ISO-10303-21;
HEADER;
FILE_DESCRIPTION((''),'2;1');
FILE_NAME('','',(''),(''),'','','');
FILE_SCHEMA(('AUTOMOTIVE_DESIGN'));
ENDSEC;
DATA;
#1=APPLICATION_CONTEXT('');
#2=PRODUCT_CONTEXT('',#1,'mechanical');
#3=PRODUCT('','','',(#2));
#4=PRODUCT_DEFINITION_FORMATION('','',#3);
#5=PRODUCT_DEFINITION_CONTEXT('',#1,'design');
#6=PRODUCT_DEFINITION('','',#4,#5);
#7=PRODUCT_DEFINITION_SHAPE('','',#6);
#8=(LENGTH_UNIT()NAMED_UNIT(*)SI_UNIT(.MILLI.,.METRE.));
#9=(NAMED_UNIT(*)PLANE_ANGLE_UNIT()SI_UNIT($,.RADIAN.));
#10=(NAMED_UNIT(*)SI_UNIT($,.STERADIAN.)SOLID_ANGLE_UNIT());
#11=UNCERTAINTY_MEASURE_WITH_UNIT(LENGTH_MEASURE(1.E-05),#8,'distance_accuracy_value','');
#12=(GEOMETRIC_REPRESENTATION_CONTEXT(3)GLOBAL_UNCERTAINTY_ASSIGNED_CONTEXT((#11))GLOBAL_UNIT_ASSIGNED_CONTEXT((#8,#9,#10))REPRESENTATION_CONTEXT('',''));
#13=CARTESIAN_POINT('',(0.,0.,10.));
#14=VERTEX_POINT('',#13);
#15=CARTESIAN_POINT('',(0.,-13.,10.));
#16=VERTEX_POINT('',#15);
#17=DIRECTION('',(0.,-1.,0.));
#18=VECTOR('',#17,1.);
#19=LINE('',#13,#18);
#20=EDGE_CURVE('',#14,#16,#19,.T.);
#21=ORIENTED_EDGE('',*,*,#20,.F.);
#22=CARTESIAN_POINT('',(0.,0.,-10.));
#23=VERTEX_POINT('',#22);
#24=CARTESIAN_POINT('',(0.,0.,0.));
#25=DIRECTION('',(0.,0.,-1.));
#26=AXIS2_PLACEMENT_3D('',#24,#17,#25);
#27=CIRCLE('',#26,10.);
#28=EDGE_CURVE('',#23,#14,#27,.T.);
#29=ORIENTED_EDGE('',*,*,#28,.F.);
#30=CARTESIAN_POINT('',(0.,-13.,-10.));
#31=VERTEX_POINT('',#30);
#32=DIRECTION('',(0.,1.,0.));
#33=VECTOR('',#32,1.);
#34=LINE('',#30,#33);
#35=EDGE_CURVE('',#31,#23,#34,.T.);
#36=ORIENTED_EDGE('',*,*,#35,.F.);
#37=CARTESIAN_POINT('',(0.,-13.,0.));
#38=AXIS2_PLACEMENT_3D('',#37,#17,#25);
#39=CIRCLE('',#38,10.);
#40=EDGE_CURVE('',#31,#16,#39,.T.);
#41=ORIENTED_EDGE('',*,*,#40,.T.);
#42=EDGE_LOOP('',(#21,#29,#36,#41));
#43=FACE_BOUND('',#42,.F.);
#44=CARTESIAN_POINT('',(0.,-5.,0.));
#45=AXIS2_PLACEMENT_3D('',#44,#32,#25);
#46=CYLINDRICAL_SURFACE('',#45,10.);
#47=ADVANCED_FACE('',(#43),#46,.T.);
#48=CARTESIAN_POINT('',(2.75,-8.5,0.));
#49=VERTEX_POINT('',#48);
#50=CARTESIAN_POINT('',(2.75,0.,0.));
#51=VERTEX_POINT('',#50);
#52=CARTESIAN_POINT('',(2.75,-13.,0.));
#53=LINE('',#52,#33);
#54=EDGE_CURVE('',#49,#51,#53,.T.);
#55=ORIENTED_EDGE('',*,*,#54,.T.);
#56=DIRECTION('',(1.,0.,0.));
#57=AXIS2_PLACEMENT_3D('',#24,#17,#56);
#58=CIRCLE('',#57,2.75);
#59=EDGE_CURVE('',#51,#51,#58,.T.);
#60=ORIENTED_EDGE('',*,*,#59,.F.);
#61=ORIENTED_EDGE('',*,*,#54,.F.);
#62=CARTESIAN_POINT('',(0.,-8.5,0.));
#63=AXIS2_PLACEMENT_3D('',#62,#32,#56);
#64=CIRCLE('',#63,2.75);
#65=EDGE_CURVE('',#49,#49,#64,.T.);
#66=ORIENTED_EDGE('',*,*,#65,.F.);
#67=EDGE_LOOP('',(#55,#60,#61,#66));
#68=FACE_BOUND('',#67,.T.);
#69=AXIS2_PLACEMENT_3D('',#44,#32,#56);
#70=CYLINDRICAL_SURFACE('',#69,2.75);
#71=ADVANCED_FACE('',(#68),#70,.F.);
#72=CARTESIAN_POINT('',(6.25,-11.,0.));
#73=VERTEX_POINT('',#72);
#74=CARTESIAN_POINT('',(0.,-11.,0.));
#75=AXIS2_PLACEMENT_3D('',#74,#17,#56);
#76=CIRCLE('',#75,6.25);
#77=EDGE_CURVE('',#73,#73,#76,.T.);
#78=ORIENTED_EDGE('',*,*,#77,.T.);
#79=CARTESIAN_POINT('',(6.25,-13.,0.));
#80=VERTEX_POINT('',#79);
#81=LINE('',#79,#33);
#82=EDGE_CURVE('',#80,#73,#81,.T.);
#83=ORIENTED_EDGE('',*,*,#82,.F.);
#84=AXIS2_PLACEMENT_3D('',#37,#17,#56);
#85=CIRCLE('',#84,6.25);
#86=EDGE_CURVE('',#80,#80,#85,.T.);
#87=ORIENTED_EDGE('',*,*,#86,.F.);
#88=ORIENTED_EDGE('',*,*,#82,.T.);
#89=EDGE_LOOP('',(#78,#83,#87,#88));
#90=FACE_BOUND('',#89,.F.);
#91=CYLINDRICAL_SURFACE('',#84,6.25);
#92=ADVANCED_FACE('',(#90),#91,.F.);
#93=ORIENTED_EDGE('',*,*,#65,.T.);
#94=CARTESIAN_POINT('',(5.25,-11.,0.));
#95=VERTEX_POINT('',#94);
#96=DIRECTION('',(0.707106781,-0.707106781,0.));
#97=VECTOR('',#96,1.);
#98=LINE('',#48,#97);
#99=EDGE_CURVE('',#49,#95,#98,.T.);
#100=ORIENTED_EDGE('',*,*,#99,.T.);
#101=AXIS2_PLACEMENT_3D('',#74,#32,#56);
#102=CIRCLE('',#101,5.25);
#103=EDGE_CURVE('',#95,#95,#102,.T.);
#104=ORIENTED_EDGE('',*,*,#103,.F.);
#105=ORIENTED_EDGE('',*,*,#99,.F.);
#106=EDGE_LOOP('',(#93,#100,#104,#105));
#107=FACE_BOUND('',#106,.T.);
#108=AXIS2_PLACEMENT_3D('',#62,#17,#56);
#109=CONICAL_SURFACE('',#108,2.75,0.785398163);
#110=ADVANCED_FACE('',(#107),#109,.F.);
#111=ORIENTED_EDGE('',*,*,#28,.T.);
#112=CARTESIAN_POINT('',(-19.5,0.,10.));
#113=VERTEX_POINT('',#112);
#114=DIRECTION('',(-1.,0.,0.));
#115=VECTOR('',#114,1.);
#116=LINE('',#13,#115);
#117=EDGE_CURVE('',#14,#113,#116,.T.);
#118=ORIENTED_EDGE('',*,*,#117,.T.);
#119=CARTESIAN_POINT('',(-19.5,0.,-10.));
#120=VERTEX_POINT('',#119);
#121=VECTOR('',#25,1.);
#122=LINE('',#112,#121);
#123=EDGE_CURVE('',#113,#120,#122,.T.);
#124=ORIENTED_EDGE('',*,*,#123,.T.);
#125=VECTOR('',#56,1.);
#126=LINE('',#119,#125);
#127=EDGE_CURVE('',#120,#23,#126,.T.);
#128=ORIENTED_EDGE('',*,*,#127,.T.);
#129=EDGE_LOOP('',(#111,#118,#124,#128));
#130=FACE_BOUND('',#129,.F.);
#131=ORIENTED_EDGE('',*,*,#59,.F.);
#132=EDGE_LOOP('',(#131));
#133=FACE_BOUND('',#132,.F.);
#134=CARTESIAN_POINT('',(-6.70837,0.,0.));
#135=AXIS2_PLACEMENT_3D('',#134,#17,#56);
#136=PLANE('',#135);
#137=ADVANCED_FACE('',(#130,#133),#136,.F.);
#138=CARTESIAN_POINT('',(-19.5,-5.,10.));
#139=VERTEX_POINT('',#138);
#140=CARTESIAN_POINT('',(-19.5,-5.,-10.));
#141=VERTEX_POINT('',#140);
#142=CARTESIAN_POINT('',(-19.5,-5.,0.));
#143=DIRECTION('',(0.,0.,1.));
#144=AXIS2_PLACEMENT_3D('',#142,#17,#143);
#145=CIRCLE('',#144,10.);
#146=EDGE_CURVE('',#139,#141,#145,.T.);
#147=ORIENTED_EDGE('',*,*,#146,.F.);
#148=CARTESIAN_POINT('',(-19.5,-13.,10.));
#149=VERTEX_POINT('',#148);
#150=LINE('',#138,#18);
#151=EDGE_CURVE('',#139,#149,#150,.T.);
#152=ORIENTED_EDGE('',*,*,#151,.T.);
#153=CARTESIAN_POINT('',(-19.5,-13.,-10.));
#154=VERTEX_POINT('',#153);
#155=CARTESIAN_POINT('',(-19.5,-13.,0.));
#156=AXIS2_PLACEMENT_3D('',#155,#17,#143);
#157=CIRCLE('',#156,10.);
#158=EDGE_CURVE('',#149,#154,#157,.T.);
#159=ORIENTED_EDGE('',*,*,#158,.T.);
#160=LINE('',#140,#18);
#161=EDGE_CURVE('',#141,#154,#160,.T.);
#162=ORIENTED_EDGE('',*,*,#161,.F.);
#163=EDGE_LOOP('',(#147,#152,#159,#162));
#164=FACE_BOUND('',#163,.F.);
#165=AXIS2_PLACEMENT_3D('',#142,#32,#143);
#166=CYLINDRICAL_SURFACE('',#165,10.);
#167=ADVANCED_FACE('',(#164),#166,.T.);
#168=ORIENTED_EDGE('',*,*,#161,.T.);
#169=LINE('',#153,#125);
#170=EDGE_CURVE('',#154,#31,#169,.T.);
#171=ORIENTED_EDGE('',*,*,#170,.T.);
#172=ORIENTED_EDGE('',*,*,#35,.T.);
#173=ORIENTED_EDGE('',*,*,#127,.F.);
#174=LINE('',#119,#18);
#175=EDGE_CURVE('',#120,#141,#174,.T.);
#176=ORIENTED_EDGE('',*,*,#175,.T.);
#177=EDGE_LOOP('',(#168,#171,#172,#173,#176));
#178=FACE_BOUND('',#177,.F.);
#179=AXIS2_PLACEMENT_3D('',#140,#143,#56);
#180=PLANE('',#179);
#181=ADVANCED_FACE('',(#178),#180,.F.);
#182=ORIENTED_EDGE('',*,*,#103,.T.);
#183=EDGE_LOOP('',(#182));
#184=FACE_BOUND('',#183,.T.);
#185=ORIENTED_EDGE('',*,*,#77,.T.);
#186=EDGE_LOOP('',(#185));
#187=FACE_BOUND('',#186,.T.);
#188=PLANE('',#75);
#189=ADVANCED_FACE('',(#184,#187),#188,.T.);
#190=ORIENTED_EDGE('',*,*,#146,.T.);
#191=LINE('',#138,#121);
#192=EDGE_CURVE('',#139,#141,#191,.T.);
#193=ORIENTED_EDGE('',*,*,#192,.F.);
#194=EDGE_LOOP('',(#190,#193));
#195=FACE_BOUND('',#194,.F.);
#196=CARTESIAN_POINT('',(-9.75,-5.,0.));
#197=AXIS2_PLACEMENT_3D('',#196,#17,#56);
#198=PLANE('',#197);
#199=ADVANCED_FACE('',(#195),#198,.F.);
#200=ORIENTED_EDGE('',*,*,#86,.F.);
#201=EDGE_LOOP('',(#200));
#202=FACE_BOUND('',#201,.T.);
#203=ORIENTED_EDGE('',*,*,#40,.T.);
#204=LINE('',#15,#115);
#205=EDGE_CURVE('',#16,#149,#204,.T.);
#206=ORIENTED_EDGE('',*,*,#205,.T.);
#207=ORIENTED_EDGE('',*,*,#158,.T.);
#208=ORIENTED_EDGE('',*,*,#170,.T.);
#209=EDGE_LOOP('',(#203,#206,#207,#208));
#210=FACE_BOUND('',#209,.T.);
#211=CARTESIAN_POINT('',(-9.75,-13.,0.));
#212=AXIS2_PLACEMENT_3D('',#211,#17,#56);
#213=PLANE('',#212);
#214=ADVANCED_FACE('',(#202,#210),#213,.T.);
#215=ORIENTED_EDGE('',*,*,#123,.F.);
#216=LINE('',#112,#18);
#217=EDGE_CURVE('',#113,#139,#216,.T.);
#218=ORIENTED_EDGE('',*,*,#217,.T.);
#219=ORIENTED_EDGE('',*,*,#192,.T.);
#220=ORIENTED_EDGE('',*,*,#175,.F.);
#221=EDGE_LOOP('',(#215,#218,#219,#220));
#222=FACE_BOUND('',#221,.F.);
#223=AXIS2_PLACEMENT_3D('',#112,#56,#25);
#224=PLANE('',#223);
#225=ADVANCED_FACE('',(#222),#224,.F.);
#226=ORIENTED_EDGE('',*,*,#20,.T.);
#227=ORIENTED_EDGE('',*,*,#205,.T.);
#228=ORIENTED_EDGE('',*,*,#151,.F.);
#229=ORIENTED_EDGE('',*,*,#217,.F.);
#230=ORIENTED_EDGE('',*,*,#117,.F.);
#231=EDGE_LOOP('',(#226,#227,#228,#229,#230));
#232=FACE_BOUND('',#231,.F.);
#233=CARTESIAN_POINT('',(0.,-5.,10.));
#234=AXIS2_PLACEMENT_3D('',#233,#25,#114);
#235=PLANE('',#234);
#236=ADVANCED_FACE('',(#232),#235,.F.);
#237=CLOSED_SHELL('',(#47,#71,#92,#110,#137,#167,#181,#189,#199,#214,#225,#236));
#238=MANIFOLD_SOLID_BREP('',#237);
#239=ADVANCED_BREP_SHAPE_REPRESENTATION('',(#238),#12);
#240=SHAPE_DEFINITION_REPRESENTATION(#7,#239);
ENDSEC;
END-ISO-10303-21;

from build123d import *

# Parameters (mm, degrees)
F0_R     = 2.75
F1_DEPTH = 5
F2_R     = 2.75
F3_DEPTH = 8
F4_R     = 6.25
F5_DEPTH = 2
F6_SIZE  = 2.5


with BuildPart() as f1:
    # F0 (on Front) → F1 (new body)
    with BuildSketch(Plane.XZ):
        with BuildLine():
            ThreePointArc((0, -10), (10, 0), (0, 10))
            Line((0, 10), (-19.5, 10))
            Line((-19.5, 10), (-19.5, -10))
            Line((-19.5, -10), (0, -10))
        make_face()
        Circle(F0_R, mode=Mode.SUBTRACT)
    extrude(amount=F1_DEPTH)

    # F2 (on face) → F3 (join)
    with BuildSketch(Plane.XZ.offset(5)):
        with BuildLine():
            ThreePointArc((0, -10), (10, 0), (0, 10))
            Line((0, 10), (-19.5, 10))
            ThreePointArc((-19.5, 10), (-29.5, 0), (-19.5, -10))
            Line((-19.5, -10), (0, -10))
        make_face()
        Circle(F2_R, mode=Mode.SUBTRACT)
    extrude(amount=F3_DEPTH)

    # F4 (on face) → F5 (cut)
    with BuildSketch(Plane.XZ.offset(13)):
        Circle(F4_R)
    extrude(amount=-F5_DEPTH, mode=Mode.SUBTRACT)

    # F6
    f6_edges = [f1.edges().sort_by_distance(p)[0] for p in [
        (-2.75, -11, 0),
    ]]
    chamfer(f6_edges, length=F6_SIZE)


solid = f1.part
